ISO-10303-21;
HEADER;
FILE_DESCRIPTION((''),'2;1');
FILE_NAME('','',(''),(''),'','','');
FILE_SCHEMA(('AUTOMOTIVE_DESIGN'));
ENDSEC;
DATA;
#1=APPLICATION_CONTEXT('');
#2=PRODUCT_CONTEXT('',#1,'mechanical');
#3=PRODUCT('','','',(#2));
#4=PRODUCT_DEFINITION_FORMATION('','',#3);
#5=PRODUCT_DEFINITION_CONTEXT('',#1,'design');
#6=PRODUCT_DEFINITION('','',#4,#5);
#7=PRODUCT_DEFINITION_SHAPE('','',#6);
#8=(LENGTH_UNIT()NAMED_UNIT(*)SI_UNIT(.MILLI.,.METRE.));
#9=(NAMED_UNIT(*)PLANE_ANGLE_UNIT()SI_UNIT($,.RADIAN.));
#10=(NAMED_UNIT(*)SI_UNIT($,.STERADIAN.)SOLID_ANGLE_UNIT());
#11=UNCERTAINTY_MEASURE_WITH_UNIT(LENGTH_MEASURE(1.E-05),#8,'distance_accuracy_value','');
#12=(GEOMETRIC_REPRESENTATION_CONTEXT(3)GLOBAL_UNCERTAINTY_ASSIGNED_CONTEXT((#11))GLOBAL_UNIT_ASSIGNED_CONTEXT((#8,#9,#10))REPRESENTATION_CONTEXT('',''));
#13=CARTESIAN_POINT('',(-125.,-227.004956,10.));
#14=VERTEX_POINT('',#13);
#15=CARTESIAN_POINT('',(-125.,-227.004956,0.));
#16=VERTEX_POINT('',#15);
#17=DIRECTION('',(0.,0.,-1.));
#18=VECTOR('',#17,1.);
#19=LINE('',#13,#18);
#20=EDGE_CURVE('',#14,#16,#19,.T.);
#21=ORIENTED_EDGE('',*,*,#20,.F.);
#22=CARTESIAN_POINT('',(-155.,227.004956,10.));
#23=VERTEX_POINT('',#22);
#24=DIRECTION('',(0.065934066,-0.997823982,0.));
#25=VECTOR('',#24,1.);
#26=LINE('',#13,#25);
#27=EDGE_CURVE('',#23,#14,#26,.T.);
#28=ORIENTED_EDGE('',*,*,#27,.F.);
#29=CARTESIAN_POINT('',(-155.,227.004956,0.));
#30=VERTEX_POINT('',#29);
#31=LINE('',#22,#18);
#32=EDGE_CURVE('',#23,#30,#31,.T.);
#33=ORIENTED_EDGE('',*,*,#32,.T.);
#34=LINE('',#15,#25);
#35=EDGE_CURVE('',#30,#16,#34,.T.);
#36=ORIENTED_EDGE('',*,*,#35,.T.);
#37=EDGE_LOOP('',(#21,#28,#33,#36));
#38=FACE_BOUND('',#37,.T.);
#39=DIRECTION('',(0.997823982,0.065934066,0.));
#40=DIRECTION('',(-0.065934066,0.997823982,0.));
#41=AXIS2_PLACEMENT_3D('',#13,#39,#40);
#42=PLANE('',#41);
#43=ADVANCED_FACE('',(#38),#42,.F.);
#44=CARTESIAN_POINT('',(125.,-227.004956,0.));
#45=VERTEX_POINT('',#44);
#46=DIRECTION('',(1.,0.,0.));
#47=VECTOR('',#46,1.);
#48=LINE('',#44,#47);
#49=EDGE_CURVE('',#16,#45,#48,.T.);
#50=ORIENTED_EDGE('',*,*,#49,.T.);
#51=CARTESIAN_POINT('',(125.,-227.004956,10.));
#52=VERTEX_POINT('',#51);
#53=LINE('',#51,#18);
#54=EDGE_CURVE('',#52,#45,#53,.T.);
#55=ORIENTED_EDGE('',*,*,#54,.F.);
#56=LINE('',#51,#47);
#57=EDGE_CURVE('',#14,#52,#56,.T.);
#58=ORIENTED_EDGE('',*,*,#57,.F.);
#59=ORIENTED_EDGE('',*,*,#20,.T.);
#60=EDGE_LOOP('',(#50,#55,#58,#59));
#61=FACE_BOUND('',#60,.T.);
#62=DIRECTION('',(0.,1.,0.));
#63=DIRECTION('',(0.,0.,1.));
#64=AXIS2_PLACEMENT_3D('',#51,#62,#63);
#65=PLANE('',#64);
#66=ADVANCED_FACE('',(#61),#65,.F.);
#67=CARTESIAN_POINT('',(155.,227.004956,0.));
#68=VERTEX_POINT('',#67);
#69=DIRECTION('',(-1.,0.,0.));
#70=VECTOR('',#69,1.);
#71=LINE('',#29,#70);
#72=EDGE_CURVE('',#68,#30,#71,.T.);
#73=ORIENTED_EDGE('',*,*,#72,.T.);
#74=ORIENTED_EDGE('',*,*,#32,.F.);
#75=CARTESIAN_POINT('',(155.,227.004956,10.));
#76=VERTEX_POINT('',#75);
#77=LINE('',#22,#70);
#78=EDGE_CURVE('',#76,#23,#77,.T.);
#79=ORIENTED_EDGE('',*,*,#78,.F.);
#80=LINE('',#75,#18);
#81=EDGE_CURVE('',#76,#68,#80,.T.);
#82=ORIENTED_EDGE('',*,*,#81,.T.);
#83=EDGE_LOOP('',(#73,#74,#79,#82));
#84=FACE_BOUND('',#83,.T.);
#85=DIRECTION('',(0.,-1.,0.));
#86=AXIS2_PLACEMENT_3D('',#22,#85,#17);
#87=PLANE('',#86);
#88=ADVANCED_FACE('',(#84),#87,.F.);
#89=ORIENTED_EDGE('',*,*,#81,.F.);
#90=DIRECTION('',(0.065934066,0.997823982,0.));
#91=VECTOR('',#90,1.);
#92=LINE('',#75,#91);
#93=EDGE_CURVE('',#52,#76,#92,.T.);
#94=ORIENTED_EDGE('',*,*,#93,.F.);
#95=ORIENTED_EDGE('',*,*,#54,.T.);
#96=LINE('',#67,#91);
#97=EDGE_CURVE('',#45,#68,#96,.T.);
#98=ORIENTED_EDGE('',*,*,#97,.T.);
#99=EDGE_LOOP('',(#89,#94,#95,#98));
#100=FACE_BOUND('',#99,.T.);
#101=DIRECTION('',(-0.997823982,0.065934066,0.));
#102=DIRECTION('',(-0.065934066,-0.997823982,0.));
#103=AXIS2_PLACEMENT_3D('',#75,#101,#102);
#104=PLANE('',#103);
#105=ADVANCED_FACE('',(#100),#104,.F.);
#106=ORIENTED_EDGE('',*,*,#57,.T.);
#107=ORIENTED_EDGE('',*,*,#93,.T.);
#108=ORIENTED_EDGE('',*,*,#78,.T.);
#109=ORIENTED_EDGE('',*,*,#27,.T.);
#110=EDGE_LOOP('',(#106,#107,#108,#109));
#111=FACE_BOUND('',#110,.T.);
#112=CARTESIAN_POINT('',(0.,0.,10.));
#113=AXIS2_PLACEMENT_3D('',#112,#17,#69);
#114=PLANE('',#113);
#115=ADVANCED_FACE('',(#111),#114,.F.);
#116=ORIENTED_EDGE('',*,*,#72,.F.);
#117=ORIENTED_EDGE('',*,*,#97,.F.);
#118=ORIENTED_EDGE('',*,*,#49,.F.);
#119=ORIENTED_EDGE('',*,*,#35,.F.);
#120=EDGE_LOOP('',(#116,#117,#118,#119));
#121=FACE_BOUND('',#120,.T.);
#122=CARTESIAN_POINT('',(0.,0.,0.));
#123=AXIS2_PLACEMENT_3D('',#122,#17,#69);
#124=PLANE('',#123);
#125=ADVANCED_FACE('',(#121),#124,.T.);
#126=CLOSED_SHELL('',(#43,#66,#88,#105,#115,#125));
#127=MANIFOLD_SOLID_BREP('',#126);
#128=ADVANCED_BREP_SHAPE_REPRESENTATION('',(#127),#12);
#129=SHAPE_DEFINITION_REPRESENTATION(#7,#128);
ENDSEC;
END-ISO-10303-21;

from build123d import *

# Parameters (mm, degrees)
DODANIE_WYCI_GNI_CIE1_DEPTH = 10


with BuildPart() as part:
    # Szkic1 → Dodanie-wyciągnięcie1 (new body)
    with BuildSketch(Plane.XY):
        Polygon((-155, 227.004955893), (155, 227.004955893), (125, -227.004955893), (-125, -227.004955893), align=None)
    extrude(amount=DODANIE_WYCI_GNI_CIE1_DEPTH)


solid = part.part
